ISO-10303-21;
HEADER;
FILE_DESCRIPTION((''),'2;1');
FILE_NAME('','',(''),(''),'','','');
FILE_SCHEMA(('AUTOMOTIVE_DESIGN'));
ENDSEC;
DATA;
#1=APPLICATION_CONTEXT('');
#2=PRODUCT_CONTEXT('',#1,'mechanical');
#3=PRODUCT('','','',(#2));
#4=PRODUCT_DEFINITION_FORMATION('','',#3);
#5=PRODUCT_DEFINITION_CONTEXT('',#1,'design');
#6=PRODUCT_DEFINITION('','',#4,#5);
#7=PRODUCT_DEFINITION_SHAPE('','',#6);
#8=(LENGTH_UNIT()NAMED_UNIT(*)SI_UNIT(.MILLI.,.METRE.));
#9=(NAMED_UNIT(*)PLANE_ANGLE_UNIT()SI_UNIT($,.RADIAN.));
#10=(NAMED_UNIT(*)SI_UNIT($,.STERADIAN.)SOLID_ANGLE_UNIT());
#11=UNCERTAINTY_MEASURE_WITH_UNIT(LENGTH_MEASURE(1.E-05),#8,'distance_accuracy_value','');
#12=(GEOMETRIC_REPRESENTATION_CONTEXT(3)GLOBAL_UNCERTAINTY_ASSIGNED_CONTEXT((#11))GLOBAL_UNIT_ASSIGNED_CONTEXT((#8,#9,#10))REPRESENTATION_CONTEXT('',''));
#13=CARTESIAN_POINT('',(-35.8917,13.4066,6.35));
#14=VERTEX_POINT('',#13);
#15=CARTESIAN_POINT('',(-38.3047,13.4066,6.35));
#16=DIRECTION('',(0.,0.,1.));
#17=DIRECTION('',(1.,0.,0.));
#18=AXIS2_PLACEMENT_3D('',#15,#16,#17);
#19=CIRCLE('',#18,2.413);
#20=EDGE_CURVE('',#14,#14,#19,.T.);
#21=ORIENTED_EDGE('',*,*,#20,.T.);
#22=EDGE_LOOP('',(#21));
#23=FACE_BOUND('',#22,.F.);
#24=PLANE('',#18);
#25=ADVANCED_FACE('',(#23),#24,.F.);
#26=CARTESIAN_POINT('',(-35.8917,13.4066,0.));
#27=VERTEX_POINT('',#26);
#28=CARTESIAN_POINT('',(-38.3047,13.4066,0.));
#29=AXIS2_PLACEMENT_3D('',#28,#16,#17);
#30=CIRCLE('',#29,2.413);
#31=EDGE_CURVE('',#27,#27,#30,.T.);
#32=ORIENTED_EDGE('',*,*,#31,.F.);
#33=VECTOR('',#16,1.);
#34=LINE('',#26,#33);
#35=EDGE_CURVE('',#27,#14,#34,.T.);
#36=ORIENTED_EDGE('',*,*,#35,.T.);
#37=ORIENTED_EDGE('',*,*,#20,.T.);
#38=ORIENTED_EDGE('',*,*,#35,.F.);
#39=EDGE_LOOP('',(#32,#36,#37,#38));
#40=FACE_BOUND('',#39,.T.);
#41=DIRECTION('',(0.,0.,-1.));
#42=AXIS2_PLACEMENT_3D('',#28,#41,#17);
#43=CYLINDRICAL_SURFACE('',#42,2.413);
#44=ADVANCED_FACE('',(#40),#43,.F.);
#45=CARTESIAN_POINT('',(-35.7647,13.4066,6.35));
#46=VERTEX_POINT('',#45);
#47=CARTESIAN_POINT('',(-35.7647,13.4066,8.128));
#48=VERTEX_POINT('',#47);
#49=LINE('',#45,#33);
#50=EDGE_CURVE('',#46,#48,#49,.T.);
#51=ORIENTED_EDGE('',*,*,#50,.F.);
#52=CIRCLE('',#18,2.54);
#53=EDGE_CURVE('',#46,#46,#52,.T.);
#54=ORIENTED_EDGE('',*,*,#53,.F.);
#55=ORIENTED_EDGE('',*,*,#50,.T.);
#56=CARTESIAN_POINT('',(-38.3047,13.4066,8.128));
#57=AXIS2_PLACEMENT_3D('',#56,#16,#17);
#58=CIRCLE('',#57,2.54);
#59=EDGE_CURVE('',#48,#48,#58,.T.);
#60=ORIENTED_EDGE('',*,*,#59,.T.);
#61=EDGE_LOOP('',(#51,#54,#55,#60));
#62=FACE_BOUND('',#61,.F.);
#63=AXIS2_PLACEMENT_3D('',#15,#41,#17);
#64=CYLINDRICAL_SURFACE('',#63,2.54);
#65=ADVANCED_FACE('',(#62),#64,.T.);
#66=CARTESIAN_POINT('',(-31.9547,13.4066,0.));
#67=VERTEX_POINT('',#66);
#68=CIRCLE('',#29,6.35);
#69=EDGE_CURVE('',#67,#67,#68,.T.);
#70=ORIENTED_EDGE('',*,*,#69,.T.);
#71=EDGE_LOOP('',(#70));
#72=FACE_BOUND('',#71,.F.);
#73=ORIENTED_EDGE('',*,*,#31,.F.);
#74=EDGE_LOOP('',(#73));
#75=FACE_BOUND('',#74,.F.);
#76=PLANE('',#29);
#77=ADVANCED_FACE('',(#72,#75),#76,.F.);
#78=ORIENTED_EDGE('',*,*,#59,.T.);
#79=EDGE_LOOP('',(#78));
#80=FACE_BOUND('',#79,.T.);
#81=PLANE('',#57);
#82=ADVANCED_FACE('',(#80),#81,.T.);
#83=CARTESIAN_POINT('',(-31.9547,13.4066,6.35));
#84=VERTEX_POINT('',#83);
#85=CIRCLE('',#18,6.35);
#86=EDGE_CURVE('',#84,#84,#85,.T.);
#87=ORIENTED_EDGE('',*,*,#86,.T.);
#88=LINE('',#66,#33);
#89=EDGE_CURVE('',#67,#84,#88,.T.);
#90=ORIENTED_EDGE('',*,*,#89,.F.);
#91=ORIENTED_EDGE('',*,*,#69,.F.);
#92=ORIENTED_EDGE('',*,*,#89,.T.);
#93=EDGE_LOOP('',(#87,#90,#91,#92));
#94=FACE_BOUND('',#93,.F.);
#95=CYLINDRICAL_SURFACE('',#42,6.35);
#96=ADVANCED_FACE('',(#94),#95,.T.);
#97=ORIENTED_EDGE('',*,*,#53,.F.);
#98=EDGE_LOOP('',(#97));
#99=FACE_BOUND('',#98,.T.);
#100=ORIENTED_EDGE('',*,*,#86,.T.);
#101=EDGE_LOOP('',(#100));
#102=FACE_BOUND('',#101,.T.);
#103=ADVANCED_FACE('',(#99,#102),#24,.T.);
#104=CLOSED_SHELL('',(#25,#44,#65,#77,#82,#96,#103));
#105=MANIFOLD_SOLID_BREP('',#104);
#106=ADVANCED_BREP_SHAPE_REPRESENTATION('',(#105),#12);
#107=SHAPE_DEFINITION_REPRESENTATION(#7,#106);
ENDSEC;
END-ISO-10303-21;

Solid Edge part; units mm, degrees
sketch "Sketch1" plane through (0, 0, 0) normal (0, 0, 1) x (1, 0, 0)
  circle A0 centre (-38.3047, 13.4066) radius 6.35
  circle A1 centre (-38.3047, 13.4066) radius 2.413
extrude "Protrusion1" add sketch "Sketch1" along normal blind 6.35
sketch "Sketch2" plane through (-38.3047, 13.4066, 6.35) normal (0, 0, 1) x (1, 0, 0)
  circle A0 centre (0, 0) radius 2.54
extrude "ExtrudedProtrusion_2" add sketch "Sketch2" along normal blind 1.778
